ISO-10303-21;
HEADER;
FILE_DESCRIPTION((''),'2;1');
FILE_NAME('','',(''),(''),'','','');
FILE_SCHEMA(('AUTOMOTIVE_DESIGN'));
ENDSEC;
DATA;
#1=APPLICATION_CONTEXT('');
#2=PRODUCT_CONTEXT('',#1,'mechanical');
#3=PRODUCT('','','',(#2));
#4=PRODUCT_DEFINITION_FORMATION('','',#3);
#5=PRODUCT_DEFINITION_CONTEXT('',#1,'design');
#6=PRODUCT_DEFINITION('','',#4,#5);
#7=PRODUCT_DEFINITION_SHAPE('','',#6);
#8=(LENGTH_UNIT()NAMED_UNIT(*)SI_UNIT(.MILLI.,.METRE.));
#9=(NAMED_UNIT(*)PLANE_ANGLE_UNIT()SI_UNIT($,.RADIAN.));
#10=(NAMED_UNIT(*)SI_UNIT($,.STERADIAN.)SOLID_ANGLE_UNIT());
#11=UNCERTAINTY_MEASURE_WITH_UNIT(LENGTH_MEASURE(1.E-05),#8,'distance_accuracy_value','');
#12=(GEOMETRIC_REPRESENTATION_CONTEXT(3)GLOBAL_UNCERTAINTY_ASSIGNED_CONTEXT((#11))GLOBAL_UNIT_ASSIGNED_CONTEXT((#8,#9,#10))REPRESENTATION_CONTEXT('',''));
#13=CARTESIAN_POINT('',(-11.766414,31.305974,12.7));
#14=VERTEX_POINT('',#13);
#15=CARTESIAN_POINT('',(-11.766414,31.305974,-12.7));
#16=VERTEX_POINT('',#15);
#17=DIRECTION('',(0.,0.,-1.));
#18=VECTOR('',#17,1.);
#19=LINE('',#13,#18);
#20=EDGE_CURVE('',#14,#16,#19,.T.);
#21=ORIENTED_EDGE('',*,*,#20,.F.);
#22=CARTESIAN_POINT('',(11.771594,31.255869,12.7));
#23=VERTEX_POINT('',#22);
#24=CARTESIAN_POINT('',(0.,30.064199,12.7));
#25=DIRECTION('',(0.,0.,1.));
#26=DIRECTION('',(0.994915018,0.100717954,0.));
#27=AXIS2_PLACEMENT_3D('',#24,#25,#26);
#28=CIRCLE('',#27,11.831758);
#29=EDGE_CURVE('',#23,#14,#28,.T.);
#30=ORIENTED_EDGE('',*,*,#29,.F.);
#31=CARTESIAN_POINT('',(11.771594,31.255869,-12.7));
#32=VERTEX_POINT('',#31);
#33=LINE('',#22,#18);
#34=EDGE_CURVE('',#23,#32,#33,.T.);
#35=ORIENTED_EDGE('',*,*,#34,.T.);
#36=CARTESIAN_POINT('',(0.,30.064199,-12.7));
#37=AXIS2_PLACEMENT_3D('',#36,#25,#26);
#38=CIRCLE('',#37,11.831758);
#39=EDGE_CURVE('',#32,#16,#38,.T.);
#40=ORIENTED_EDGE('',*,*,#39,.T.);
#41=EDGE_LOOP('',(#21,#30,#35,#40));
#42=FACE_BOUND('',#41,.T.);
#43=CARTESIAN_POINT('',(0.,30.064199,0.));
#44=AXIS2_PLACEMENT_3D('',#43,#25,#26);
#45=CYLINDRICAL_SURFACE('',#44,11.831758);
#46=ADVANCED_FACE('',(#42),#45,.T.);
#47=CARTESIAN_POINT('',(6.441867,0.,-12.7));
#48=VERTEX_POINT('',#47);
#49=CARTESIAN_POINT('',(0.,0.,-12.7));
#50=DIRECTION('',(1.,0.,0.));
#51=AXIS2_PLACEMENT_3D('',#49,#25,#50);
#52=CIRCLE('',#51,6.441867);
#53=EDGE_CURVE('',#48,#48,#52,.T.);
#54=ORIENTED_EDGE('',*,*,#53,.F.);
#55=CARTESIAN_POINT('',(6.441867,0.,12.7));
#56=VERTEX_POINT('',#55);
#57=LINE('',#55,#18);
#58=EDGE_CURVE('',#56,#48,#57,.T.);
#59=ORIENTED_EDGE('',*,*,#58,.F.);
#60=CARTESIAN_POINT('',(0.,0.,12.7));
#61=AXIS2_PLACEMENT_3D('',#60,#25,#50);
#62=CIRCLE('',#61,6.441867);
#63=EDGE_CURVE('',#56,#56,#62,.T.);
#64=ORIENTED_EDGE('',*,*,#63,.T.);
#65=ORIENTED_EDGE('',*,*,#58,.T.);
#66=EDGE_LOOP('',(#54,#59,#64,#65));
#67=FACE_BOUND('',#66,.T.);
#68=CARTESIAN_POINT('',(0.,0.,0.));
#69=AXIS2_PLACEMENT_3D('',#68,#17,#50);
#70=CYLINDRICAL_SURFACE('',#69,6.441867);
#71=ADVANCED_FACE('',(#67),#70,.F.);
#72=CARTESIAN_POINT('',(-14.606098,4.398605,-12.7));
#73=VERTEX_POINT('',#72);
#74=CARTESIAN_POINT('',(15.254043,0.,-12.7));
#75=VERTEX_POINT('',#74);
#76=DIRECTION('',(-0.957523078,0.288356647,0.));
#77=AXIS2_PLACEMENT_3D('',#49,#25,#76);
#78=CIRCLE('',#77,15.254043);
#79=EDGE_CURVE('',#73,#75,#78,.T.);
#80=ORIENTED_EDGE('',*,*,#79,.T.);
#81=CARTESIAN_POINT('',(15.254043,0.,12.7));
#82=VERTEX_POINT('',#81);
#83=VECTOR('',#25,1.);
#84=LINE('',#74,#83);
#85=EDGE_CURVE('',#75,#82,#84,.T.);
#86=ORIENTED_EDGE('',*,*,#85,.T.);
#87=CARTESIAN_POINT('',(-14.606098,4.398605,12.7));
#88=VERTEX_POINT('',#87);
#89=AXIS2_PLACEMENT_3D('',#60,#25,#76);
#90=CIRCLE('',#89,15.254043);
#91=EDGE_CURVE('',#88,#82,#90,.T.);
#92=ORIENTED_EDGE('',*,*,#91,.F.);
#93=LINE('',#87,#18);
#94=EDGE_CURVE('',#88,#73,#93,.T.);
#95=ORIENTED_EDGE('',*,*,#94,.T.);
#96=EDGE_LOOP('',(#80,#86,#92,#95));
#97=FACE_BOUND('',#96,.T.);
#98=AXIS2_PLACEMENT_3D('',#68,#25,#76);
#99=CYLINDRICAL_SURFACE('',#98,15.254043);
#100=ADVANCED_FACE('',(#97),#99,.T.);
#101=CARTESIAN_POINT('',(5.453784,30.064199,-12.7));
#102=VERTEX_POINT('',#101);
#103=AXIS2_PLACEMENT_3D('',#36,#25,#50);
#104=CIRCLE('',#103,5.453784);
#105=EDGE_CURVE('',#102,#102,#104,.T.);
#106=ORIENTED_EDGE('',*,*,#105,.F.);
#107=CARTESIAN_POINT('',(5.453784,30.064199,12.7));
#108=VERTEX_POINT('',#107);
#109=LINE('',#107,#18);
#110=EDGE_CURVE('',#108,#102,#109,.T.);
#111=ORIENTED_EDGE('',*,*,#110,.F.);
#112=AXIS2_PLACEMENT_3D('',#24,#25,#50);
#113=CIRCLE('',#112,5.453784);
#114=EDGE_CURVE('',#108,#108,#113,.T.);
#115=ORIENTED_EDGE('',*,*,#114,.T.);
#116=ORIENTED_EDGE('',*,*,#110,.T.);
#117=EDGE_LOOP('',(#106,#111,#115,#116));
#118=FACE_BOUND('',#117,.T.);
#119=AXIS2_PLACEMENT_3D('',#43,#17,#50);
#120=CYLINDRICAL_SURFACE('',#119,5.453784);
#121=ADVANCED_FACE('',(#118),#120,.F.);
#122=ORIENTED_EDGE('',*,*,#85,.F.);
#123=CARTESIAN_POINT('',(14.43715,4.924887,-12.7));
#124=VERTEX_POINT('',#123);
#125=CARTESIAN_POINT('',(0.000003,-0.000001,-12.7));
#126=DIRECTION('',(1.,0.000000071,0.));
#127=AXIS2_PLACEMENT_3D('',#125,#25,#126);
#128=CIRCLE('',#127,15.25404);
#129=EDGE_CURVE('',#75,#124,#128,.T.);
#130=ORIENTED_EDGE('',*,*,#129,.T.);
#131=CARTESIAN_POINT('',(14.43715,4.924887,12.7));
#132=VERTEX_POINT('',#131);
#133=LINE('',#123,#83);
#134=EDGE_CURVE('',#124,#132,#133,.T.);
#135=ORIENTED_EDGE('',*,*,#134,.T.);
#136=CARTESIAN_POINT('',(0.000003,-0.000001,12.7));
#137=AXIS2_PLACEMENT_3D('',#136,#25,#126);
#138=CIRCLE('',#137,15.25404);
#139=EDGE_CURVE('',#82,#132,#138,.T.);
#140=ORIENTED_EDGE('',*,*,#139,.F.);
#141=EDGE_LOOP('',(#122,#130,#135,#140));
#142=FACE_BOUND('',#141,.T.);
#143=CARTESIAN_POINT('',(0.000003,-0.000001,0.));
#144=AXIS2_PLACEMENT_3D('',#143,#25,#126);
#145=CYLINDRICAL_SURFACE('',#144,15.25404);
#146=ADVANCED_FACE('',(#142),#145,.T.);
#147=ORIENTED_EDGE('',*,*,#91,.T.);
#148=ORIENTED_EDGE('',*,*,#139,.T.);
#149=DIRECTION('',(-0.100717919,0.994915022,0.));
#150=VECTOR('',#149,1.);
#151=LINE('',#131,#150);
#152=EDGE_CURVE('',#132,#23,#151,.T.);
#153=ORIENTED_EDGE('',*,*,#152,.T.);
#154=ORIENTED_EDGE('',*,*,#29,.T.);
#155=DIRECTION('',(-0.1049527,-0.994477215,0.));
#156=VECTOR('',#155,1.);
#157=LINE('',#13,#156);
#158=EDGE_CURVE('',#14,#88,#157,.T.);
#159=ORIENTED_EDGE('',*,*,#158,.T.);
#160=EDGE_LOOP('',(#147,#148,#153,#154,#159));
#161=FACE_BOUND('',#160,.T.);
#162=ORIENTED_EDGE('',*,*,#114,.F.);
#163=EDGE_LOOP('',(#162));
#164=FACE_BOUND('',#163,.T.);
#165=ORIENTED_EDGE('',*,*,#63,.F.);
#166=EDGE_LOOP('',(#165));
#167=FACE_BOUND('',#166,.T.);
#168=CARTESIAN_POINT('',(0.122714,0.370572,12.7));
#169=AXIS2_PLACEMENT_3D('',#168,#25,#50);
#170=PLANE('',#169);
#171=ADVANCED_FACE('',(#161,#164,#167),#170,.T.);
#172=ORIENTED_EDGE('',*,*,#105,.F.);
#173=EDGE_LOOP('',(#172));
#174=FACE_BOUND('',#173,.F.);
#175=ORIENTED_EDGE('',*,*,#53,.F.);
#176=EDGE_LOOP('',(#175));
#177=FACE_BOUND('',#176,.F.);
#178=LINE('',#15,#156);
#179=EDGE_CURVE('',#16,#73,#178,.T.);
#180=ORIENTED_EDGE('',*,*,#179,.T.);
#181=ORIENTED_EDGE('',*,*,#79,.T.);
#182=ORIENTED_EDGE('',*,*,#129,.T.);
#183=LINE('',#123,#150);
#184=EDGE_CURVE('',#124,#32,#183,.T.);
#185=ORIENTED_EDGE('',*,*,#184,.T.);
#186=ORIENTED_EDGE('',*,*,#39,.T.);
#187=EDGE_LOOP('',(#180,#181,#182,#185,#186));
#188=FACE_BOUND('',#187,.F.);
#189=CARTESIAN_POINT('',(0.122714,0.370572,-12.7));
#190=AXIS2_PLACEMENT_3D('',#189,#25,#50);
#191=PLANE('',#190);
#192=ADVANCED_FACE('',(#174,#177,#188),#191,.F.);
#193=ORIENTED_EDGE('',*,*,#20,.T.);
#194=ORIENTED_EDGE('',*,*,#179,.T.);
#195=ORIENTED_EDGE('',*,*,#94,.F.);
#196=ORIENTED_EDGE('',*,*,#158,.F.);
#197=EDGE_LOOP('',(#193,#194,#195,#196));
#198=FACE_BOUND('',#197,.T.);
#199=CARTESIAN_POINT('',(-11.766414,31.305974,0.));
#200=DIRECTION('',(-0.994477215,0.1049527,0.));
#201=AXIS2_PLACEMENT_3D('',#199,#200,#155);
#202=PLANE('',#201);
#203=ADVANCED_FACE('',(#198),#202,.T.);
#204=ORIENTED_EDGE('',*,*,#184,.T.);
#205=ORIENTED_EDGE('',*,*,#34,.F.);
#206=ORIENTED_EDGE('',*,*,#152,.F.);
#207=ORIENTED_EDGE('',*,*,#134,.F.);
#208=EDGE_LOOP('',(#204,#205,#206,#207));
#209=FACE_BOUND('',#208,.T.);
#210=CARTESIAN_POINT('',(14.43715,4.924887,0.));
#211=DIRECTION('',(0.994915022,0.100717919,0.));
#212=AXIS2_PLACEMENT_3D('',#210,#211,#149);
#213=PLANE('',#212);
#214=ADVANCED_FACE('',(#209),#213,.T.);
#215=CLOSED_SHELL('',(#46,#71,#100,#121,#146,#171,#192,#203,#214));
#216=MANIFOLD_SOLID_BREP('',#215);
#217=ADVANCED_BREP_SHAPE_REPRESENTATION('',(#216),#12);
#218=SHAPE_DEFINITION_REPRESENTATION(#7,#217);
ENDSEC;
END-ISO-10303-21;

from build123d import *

# Parameters (mm, degrees)
F0_R     = 6.441867
F0_R_2   = 5.453784
F1_DEPTH = 12.7


with BuildPart() as f1:
    # F0 (on Top) → F1 (new body, symmetric)
    with BuildSketch(Plane.XY):
        with BuildLine():
            ThreePointArc((-14.606098, 4.398605), (-2.223036, -15.091187), (15.254043, 0))
            ThreePointArc((15.254043, 0), (15.048434, 2.496088), (14.43715, 4.924887))
            ThreePointArc((14.43715, 4.924887), (-0.276368, 15.251539), (-14.606098, 4.398605))
        make_face()
        Circle(F0_R, mode=Mode.SUBTRACT)
        with BuildLine():
            ThreePointArc((-14.606098, 4.398605), (-0.276368, 15.251539), (14.43715, 4.924887))
            Line((14.43715, 4.924887), (11.771594, 31.255869))
            ThreePointArc((11.771594, 31.255869), (11.816708, 30.660793), (11.831758, 30.064199))
            ThreePointArc((11.831758, 30.064199), (-0.621746, 18.248788), (-11.766414, 31.305974))
            Line((-11.766414, 31.305974), (-14.606098, 4.398605))
        make_face()
        with BuildLine():
            ThreePointArc((11.831758, 30.064199), (11.816708, 30.660793), (11.771594, 31.255869))
            ThreePointArc((11.771594, 31.255869), (0.025186, 41.89593), (-11.766414, 31.305974))
            ThreePointArc((-11.766414, 31.305974), (-0.621746, 18.248788), (11.831758, 30.064199))
        make_face()
        with Locations((0, 30.064199)):
            Circle(F0_R_2, mode=Mode.SUBTRACT)
    extrude(amount=F1_DEPTH, both=True)


solid = f1.part
